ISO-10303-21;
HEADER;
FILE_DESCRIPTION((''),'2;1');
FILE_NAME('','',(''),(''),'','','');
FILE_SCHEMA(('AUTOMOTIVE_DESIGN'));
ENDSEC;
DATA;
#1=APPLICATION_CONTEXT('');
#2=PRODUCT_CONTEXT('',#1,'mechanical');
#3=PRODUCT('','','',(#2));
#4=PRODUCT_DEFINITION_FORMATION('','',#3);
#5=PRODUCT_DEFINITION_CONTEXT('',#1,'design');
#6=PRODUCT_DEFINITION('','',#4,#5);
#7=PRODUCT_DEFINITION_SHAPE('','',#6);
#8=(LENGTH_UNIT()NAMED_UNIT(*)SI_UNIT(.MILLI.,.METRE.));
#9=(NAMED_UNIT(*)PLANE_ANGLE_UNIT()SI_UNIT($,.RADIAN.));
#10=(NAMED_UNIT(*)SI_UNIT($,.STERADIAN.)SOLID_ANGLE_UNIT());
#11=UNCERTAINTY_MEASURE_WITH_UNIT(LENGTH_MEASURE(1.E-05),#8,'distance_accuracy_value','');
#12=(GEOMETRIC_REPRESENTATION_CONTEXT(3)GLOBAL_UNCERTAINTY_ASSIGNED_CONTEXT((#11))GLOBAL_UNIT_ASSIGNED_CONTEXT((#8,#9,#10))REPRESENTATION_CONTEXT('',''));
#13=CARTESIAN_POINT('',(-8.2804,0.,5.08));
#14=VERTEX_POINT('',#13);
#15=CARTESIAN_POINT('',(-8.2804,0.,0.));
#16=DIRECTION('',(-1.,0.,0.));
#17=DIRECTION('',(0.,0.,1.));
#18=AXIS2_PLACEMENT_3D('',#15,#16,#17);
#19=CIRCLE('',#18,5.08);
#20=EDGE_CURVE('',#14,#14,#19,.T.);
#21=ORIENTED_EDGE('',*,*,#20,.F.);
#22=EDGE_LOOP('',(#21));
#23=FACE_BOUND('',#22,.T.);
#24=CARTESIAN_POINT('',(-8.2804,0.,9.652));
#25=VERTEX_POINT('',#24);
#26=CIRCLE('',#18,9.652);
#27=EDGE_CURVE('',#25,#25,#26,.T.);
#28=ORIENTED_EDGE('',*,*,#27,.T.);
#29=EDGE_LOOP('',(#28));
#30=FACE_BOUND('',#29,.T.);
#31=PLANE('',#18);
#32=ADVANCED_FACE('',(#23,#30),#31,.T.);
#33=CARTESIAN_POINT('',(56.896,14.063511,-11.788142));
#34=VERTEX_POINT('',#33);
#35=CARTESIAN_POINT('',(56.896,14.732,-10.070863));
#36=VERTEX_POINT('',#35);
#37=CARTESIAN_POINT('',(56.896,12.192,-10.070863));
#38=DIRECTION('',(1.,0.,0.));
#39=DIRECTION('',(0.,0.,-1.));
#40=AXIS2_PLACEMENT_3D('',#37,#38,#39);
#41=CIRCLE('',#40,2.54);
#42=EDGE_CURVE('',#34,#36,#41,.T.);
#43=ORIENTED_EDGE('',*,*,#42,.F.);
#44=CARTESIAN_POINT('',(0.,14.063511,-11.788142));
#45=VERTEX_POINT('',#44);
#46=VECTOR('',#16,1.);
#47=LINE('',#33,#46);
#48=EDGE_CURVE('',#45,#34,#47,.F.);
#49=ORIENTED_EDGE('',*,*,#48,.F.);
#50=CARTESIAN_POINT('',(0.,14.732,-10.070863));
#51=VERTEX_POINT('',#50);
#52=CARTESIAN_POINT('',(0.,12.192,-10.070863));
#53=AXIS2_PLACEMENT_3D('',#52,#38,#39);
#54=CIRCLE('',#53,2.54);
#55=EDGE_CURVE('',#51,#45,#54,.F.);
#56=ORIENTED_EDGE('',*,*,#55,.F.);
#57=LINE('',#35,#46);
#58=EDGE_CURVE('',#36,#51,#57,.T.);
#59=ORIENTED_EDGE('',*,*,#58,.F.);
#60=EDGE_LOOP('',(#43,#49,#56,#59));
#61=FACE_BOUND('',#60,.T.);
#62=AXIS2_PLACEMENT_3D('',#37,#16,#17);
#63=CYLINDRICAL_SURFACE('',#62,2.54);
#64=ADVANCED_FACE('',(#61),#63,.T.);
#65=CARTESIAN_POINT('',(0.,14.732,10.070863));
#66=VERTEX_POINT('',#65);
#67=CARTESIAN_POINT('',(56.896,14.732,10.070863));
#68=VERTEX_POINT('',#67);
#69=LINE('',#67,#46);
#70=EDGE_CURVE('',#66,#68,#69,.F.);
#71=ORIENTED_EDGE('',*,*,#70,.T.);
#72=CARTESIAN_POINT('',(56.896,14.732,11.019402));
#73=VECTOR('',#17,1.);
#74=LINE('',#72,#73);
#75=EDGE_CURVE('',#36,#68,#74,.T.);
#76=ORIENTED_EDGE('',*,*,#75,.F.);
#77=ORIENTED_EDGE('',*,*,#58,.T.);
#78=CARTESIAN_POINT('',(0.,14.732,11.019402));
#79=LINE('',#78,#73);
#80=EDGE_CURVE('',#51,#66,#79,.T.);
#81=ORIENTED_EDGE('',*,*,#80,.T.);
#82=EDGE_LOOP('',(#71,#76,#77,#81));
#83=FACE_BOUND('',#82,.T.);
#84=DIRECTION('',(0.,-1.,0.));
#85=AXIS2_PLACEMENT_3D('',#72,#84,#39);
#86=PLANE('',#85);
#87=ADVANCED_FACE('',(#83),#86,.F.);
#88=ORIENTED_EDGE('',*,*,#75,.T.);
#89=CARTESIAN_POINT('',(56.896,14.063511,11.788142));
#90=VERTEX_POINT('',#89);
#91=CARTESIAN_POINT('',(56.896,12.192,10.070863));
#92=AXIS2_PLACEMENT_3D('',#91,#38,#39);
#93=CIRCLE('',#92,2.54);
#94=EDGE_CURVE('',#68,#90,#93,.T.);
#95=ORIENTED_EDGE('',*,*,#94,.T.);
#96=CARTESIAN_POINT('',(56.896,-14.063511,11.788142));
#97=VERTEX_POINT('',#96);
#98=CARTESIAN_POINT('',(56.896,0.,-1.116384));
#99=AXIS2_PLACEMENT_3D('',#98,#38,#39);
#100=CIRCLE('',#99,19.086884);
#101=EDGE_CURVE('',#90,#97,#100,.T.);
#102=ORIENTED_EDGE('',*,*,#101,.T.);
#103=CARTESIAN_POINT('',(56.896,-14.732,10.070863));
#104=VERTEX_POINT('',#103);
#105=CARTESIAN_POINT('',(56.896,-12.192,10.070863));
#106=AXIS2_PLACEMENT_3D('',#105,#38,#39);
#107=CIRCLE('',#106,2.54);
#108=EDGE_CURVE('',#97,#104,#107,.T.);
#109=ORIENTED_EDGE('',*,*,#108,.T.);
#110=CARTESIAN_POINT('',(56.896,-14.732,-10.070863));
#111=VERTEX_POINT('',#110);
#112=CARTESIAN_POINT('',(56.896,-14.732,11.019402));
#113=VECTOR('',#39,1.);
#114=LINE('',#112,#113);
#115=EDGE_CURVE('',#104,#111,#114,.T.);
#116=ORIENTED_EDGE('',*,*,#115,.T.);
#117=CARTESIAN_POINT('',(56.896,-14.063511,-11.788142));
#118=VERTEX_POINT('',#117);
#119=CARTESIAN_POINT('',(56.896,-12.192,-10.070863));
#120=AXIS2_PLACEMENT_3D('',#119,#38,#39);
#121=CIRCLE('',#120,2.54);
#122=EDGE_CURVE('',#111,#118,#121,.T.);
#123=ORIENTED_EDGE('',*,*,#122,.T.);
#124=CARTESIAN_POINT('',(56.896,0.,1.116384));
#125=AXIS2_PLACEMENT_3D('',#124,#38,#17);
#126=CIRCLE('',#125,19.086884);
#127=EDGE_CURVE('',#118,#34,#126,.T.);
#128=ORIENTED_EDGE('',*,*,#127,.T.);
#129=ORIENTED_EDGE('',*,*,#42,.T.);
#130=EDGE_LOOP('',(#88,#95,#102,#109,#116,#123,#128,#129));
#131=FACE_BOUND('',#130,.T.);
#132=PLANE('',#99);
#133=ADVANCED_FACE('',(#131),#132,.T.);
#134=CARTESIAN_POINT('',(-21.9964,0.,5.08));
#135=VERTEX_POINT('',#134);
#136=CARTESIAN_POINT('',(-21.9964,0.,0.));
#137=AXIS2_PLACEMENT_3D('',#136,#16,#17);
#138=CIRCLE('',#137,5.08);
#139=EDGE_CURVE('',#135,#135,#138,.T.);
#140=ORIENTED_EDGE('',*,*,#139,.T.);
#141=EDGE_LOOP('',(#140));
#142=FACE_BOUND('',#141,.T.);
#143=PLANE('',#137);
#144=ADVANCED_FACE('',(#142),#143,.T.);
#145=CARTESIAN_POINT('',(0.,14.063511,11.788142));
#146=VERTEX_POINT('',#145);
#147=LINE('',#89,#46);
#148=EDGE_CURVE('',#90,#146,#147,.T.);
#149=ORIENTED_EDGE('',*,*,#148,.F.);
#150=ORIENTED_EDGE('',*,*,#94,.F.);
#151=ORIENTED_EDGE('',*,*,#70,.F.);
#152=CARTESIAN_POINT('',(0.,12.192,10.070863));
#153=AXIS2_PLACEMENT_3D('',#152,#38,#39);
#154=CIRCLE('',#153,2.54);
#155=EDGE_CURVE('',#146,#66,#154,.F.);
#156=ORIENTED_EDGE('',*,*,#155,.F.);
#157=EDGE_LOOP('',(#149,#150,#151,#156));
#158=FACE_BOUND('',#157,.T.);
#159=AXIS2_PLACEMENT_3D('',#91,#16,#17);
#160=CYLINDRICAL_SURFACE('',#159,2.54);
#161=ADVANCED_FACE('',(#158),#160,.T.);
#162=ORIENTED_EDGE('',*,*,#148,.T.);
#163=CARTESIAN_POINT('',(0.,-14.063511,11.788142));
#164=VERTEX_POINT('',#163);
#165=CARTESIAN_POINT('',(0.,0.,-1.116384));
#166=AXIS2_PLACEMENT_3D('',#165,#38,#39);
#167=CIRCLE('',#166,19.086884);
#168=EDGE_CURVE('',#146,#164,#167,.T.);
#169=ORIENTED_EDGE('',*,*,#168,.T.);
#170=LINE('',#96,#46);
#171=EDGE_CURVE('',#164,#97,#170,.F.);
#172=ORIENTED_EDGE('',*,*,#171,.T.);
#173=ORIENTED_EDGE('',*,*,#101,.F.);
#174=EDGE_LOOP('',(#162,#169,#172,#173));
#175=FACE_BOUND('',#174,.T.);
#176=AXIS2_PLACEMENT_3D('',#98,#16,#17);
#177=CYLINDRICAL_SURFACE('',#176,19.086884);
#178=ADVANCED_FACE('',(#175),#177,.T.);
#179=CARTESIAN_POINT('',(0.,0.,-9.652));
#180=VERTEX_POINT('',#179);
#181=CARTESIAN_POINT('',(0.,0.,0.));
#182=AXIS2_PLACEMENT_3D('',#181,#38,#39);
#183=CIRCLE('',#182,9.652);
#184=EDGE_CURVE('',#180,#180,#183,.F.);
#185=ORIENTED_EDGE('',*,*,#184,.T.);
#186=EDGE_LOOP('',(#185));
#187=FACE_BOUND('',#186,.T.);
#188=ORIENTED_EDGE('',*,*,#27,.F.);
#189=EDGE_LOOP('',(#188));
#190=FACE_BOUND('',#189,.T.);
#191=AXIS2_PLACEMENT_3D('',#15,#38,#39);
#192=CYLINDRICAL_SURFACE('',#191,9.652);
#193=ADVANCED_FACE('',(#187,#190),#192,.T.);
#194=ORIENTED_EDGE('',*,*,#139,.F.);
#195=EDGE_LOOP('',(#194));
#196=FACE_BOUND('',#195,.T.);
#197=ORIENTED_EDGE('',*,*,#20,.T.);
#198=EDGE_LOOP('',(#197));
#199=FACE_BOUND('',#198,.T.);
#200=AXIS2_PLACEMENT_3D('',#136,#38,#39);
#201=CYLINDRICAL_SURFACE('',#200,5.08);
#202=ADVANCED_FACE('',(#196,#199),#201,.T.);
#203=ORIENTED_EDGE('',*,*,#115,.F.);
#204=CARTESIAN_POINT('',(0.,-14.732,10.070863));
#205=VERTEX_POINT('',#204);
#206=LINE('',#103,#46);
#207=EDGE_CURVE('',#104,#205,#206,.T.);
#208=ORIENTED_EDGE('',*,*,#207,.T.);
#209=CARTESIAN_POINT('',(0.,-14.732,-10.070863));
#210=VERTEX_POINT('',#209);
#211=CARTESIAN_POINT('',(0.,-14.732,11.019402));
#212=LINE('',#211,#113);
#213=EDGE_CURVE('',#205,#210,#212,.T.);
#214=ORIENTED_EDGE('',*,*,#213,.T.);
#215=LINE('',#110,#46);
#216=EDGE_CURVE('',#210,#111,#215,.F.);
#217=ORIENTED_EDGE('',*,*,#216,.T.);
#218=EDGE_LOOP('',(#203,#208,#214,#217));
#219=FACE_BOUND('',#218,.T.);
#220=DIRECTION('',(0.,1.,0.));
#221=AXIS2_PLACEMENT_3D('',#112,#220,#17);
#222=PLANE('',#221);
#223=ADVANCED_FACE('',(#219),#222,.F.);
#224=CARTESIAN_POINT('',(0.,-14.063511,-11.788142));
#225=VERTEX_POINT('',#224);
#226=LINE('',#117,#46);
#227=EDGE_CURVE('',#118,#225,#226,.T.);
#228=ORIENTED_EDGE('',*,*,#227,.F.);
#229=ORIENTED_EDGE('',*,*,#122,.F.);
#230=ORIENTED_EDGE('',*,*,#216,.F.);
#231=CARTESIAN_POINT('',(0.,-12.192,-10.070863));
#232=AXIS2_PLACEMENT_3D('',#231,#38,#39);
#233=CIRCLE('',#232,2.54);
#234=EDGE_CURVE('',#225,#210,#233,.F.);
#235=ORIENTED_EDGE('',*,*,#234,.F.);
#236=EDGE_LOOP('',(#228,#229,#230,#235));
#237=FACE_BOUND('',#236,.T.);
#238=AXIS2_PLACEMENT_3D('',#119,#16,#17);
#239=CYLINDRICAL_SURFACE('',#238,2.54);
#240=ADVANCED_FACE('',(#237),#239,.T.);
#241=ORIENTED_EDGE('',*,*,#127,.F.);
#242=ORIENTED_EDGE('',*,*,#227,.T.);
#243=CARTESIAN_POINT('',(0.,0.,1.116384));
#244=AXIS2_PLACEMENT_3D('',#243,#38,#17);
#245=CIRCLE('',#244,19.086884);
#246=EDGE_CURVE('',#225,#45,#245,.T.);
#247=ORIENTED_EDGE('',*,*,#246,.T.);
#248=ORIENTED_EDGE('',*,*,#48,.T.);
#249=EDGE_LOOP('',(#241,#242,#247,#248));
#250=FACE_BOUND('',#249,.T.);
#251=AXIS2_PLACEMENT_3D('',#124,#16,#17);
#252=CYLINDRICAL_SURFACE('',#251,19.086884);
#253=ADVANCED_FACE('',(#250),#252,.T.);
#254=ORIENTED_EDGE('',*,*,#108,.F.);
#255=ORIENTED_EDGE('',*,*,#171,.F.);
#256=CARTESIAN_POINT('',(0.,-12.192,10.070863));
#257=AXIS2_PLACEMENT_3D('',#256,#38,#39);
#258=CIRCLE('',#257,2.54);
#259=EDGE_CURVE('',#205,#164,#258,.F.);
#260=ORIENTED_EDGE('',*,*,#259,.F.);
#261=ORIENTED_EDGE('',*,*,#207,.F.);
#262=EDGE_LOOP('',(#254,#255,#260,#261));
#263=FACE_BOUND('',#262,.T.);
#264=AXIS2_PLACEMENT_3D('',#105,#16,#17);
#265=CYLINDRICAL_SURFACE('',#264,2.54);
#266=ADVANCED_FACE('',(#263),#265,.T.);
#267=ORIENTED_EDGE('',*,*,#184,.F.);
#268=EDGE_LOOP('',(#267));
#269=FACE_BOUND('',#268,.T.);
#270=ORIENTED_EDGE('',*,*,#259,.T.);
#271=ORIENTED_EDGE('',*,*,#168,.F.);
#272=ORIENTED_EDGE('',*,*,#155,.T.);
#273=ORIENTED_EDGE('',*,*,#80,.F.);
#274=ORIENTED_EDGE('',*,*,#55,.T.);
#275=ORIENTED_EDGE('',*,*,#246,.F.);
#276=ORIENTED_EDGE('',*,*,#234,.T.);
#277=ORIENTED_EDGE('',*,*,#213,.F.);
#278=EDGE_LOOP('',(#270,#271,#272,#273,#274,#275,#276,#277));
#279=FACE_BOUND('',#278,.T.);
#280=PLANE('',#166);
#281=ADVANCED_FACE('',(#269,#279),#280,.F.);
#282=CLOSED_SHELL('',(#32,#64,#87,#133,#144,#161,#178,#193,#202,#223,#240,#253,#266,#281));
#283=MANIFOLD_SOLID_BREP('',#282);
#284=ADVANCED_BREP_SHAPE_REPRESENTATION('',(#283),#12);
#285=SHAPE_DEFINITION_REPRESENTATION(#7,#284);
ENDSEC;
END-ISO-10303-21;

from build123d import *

# Parameters (mm, degrees)
BOSS_EXTRUDE1_DEPTH = 56.896
FILLET1_R           = 2.54
FILLET2_R           = 2.54
SKETCH2_R           = 9.652
BOSS_EXTRUDE2_DEPTH = 8.2804
SKETCH3_R           = 5.08
BOSS_EXTRUDE3_DEPTH = 13.716


with BuildPart() as part:
    # Sketch1 → Boss-Extrude1 (new body)
    with BuildSketch(Plane(origin=(0, 0, 0), x_dir=(0, 0, -1), z_dir=(1, 0, 0))):
        with BuildLine():
            Line((-11.019402446, 14.732), (11.019402446, 14.732))
            ThreePointArc((11.019402446, 14.732), (17.9705, 0), (11.019402446, -14.732))
            Line((11.019402446, -14.732), (-11.019402446, -14.732))
            ThreePointArc((-11.019402446, -14.732), (-17.9705, 0), (-11.019402446, 14.732))
        make_face()
    extrude(amount=BOSS_EXTRUDE1_DEPTH)

    # Fillet1
    fillet1_edges = [part.edges().sort_by_distance(p)[0] for p in [
        (28.448, -14.732, -11.019402446),
        (28.448, -14.732, 11.019402446),
    ]]
    fillet(fillet1_edges, radius=FILLET1_R)

    # Fillet2
    fillet2_edges = [part.edges().sort_by_distance(p)[0] for p in [
        (28.448, 14.732, 11.019402446),
        (28.448, 14.732, -11.019402446),
    ]]
    fillet(fillet2_edges, radius=FILLET2_R)

    # Sketch2 → Boss-Extrude2 (add)
    with BuildSketch(Plane.ZY):
        with Locations(Location((0, 0, 0), (0, 0, 180))):
            Circle(SKETCH2_R)
    extrude(amount=BOSS_EXTRUDE2_DEPTH)

    # Sketch3 → Boss-Extrude3 (add)
    with BuildSketch(Plane.ZY.offset(8.2804)):
        Circle(SKETCH3_R)
    extrude(amount=BOSS_EXTRUDE3_DEPTH)


solid = part.part
